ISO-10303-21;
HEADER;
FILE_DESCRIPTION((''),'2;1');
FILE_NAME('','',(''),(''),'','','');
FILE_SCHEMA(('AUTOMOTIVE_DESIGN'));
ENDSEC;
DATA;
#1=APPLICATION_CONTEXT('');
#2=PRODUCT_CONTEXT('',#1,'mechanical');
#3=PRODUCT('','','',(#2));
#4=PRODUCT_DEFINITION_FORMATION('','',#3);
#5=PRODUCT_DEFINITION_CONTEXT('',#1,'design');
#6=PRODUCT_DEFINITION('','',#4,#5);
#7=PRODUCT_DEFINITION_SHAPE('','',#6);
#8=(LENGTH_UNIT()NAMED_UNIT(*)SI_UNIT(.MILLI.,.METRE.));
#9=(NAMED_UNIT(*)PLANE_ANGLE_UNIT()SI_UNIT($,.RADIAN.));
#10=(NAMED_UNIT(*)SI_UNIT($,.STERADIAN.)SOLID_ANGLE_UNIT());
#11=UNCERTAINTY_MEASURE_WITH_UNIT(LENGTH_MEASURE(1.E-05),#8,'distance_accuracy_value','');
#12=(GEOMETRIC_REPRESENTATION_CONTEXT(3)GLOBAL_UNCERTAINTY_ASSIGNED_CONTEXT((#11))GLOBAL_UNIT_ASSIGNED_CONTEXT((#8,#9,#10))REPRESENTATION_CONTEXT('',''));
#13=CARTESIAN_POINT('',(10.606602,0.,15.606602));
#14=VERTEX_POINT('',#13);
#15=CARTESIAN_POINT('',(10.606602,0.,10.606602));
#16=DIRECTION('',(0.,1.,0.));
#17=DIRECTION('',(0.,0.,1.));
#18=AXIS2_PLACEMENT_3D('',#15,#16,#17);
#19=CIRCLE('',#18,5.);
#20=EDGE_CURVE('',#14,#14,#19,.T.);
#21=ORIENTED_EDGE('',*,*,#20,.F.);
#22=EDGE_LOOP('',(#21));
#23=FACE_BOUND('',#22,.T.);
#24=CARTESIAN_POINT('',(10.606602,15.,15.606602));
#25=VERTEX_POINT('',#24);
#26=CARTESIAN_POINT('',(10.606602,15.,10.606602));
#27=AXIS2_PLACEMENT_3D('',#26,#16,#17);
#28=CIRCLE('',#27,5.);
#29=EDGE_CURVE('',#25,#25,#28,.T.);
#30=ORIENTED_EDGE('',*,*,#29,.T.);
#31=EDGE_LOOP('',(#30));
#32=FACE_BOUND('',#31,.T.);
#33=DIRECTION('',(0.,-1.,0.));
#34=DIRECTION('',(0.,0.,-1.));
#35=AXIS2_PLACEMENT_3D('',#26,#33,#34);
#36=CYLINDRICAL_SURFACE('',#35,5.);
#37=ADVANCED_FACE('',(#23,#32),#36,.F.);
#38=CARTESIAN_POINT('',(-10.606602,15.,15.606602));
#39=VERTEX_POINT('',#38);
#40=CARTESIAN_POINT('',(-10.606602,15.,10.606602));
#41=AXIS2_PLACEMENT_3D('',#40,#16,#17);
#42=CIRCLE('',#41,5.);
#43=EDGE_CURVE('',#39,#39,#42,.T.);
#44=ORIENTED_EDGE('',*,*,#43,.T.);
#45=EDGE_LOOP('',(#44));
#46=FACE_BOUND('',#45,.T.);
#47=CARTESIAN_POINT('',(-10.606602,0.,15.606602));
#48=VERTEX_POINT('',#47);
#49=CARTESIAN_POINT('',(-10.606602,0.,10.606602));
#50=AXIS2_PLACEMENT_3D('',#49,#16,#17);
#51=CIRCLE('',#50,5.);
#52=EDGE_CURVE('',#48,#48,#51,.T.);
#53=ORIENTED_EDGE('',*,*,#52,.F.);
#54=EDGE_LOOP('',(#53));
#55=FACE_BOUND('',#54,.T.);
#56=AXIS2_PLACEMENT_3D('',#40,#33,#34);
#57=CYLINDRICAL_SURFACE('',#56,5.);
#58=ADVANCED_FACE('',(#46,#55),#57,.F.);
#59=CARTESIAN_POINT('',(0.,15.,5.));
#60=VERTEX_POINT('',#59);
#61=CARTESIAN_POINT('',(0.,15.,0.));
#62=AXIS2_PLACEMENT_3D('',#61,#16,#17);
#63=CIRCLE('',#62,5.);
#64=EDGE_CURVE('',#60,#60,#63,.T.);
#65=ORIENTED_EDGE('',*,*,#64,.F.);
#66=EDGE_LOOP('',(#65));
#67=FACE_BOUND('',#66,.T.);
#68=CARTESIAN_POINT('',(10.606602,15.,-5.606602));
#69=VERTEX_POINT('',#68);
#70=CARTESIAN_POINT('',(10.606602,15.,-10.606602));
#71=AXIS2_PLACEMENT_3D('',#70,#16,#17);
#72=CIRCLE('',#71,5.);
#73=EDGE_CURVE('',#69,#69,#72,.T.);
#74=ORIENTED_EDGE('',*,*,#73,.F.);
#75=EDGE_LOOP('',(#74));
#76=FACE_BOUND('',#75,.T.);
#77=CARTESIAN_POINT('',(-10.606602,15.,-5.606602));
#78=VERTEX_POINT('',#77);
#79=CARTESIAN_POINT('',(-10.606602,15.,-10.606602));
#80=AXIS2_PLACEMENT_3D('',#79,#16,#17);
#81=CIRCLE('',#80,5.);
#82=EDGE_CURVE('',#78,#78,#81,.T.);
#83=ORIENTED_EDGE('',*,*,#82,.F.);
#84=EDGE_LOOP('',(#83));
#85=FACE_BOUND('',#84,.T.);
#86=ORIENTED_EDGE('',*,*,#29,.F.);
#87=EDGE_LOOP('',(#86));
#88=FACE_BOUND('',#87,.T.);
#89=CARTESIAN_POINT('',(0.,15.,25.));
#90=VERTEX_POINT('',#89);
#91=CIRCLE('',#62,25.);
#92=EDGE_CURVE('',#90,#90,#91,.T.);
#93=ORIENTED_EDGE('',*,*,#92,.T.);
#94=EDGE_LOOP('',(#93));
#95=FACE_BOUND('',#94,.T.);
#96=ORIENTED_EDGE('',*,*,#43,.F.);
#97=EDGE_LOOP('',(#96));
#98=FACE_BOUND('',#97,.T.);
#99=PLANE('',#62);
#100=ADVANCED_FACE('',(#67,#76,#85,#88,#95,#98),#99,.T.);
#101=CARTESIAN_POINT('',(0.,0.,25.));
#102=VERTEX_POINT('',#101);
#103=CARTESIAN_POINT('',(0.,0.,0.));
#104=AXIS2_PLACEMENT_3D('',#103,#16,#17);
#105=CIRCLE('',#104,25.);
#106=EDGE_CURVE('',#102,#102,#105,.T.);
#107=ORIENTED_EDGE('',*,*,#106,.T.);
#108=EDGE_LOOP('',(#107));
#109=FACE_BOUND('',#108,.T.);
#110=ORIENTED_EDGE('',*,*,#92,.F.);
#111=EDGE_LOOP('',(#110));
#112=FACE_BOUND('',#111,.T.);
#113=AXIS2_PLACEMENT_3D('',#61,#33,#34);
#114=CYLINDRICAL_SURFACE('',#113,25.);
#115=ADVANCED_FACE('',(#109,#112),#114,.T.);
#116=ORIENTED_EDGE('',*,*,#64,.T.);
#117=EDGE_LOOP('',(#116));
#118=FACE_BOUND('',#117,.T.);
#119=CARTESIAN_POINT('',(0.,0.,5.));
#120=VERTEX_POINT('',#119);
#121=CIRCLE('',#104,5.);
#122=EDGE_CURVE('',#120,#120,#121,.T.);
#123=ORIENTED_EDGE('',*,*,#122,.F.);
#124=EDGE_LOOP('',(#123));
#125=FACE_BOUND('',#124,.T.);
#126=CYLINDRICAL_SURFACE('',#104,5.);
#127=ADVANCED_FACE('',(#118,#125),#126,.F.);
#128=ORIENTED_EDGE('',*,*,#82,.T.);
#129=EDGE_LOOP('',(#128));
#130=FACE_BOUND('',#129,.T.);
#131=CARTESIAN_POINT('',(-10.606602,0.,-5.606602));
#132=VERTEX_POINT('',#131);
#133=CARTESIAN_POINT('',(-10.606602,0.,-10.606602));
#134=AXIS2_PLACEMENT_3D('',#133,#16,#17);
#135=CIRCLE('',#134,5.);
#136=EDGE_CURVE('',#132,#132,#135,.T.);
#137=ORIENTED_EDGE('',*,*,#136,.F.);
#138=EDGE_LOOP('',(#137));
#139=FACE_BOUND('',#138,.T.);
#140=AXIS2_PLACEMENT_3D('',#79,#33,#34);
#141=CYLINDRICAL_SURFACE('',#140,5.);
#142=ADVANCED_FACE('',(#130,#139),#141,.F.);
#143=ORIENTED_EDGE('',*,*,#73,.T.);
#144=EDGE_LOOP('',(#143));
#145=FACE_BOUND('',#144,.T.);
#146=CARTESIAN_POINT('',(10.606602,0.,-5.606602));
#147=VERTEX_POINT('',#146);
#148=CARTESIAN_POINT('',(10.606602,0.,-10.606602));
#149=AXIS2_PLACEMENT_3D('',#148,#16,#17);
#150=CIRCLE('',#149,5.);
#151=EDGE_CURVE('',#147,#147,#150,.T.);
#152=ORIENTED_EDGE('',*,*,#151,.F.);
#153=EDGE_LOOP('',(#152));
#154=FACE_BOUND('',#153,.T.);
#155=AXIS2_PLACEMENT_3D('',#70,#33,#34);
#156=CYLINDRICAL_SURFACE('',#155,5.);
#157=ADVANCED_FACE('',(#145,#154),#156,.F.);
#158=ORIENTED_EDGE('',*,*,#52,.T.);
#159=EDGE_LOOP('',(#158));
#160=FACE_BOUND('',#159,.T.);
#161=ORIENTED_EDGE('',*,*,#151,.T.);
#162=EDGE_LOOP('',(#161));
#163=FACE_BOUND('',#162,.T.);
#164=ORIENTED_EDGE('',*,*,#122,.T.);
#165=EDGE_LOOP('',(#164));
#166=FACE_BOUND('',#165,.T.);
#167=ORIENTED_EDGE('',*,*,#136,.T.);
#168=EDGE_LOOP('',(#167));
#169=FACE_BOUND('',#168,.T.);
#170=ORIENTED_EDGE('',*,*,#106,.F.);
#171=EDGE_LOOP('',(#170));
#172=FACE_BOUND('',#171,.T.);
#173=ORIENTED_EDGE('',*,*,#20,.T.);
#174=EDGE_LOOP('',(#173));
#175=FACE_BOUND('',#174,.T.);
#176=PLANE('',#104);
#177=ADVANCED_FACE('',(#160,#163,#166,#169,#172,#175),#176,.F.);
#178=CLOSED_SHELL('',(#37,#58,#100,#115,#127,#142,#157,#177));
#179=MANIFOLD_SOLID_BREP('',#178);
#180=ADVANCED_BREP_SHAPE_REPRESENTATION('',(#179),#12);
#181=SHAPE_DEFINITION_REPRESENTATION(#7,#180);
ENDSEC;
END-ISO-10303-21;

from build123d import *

# Parameters (mm, degrees)
SKETCH1_R           = 25
SKETCH1_R_2         = 5
BOSS_EXTRUDE1_DEPTH = 15
SKETCH2_R           = 5
CUT_EXTRUDE1_DEPTH  = 39.405728739


with BuildPart() as part:
    # Sketch1 → Boss-Extrude1 (new body)
    with BuildSketch(Plane(origin=(0, 0, 0), x_dir=(1, 0, 0), z_dir=(0, 1, 0))):
        with Locations(Location((0, 0, 0), (0, 0, 270))):
            Circle(SKETCH1_R)
        with Locations(Location((10.606601718, 10.606601718, 0), (0, 0, 270))):
            Circle(SKETCH1_R_2, mode=Mode.SUBTRACT)
        with Locations(Location((10.606601718, -10.606601718, 0), (0, 0, 270))):
            Circle(SKETCH1_R_2, mode=Mode.SUBTRACT)
        with Locations(Location((-10.606601718, -10.606601718, 0), (0, 0, 270))):
            Circle(SKETCH1_R_2, mode=Mode.SUBTRACT)
        with Locations(Location((-10.606601718, 10.606601718, 0), (0, 0, 270))):
            Circle(SKETCH1_R_2, mode=Mode.SUBTRACT)
    extrude(amount=BOSS_EXTRUDE1_DEPTH)

    # Sketch2 → Cut-Extrude1 (cut, through all)
    with BuildSketch(Plane(origin=(0, 15, 0), x_dir=(1, 0, 0), z_dir=(0, 1, 0))):
        with Locations(Location((0, 0, 0), (0, 0, 270))):
            Circle(SKETCH2_R)
    extrude(amount=-CUT_EXTRUDE1_DEPTH, mode=Mode.SUBTRACT)


solid = part.part
